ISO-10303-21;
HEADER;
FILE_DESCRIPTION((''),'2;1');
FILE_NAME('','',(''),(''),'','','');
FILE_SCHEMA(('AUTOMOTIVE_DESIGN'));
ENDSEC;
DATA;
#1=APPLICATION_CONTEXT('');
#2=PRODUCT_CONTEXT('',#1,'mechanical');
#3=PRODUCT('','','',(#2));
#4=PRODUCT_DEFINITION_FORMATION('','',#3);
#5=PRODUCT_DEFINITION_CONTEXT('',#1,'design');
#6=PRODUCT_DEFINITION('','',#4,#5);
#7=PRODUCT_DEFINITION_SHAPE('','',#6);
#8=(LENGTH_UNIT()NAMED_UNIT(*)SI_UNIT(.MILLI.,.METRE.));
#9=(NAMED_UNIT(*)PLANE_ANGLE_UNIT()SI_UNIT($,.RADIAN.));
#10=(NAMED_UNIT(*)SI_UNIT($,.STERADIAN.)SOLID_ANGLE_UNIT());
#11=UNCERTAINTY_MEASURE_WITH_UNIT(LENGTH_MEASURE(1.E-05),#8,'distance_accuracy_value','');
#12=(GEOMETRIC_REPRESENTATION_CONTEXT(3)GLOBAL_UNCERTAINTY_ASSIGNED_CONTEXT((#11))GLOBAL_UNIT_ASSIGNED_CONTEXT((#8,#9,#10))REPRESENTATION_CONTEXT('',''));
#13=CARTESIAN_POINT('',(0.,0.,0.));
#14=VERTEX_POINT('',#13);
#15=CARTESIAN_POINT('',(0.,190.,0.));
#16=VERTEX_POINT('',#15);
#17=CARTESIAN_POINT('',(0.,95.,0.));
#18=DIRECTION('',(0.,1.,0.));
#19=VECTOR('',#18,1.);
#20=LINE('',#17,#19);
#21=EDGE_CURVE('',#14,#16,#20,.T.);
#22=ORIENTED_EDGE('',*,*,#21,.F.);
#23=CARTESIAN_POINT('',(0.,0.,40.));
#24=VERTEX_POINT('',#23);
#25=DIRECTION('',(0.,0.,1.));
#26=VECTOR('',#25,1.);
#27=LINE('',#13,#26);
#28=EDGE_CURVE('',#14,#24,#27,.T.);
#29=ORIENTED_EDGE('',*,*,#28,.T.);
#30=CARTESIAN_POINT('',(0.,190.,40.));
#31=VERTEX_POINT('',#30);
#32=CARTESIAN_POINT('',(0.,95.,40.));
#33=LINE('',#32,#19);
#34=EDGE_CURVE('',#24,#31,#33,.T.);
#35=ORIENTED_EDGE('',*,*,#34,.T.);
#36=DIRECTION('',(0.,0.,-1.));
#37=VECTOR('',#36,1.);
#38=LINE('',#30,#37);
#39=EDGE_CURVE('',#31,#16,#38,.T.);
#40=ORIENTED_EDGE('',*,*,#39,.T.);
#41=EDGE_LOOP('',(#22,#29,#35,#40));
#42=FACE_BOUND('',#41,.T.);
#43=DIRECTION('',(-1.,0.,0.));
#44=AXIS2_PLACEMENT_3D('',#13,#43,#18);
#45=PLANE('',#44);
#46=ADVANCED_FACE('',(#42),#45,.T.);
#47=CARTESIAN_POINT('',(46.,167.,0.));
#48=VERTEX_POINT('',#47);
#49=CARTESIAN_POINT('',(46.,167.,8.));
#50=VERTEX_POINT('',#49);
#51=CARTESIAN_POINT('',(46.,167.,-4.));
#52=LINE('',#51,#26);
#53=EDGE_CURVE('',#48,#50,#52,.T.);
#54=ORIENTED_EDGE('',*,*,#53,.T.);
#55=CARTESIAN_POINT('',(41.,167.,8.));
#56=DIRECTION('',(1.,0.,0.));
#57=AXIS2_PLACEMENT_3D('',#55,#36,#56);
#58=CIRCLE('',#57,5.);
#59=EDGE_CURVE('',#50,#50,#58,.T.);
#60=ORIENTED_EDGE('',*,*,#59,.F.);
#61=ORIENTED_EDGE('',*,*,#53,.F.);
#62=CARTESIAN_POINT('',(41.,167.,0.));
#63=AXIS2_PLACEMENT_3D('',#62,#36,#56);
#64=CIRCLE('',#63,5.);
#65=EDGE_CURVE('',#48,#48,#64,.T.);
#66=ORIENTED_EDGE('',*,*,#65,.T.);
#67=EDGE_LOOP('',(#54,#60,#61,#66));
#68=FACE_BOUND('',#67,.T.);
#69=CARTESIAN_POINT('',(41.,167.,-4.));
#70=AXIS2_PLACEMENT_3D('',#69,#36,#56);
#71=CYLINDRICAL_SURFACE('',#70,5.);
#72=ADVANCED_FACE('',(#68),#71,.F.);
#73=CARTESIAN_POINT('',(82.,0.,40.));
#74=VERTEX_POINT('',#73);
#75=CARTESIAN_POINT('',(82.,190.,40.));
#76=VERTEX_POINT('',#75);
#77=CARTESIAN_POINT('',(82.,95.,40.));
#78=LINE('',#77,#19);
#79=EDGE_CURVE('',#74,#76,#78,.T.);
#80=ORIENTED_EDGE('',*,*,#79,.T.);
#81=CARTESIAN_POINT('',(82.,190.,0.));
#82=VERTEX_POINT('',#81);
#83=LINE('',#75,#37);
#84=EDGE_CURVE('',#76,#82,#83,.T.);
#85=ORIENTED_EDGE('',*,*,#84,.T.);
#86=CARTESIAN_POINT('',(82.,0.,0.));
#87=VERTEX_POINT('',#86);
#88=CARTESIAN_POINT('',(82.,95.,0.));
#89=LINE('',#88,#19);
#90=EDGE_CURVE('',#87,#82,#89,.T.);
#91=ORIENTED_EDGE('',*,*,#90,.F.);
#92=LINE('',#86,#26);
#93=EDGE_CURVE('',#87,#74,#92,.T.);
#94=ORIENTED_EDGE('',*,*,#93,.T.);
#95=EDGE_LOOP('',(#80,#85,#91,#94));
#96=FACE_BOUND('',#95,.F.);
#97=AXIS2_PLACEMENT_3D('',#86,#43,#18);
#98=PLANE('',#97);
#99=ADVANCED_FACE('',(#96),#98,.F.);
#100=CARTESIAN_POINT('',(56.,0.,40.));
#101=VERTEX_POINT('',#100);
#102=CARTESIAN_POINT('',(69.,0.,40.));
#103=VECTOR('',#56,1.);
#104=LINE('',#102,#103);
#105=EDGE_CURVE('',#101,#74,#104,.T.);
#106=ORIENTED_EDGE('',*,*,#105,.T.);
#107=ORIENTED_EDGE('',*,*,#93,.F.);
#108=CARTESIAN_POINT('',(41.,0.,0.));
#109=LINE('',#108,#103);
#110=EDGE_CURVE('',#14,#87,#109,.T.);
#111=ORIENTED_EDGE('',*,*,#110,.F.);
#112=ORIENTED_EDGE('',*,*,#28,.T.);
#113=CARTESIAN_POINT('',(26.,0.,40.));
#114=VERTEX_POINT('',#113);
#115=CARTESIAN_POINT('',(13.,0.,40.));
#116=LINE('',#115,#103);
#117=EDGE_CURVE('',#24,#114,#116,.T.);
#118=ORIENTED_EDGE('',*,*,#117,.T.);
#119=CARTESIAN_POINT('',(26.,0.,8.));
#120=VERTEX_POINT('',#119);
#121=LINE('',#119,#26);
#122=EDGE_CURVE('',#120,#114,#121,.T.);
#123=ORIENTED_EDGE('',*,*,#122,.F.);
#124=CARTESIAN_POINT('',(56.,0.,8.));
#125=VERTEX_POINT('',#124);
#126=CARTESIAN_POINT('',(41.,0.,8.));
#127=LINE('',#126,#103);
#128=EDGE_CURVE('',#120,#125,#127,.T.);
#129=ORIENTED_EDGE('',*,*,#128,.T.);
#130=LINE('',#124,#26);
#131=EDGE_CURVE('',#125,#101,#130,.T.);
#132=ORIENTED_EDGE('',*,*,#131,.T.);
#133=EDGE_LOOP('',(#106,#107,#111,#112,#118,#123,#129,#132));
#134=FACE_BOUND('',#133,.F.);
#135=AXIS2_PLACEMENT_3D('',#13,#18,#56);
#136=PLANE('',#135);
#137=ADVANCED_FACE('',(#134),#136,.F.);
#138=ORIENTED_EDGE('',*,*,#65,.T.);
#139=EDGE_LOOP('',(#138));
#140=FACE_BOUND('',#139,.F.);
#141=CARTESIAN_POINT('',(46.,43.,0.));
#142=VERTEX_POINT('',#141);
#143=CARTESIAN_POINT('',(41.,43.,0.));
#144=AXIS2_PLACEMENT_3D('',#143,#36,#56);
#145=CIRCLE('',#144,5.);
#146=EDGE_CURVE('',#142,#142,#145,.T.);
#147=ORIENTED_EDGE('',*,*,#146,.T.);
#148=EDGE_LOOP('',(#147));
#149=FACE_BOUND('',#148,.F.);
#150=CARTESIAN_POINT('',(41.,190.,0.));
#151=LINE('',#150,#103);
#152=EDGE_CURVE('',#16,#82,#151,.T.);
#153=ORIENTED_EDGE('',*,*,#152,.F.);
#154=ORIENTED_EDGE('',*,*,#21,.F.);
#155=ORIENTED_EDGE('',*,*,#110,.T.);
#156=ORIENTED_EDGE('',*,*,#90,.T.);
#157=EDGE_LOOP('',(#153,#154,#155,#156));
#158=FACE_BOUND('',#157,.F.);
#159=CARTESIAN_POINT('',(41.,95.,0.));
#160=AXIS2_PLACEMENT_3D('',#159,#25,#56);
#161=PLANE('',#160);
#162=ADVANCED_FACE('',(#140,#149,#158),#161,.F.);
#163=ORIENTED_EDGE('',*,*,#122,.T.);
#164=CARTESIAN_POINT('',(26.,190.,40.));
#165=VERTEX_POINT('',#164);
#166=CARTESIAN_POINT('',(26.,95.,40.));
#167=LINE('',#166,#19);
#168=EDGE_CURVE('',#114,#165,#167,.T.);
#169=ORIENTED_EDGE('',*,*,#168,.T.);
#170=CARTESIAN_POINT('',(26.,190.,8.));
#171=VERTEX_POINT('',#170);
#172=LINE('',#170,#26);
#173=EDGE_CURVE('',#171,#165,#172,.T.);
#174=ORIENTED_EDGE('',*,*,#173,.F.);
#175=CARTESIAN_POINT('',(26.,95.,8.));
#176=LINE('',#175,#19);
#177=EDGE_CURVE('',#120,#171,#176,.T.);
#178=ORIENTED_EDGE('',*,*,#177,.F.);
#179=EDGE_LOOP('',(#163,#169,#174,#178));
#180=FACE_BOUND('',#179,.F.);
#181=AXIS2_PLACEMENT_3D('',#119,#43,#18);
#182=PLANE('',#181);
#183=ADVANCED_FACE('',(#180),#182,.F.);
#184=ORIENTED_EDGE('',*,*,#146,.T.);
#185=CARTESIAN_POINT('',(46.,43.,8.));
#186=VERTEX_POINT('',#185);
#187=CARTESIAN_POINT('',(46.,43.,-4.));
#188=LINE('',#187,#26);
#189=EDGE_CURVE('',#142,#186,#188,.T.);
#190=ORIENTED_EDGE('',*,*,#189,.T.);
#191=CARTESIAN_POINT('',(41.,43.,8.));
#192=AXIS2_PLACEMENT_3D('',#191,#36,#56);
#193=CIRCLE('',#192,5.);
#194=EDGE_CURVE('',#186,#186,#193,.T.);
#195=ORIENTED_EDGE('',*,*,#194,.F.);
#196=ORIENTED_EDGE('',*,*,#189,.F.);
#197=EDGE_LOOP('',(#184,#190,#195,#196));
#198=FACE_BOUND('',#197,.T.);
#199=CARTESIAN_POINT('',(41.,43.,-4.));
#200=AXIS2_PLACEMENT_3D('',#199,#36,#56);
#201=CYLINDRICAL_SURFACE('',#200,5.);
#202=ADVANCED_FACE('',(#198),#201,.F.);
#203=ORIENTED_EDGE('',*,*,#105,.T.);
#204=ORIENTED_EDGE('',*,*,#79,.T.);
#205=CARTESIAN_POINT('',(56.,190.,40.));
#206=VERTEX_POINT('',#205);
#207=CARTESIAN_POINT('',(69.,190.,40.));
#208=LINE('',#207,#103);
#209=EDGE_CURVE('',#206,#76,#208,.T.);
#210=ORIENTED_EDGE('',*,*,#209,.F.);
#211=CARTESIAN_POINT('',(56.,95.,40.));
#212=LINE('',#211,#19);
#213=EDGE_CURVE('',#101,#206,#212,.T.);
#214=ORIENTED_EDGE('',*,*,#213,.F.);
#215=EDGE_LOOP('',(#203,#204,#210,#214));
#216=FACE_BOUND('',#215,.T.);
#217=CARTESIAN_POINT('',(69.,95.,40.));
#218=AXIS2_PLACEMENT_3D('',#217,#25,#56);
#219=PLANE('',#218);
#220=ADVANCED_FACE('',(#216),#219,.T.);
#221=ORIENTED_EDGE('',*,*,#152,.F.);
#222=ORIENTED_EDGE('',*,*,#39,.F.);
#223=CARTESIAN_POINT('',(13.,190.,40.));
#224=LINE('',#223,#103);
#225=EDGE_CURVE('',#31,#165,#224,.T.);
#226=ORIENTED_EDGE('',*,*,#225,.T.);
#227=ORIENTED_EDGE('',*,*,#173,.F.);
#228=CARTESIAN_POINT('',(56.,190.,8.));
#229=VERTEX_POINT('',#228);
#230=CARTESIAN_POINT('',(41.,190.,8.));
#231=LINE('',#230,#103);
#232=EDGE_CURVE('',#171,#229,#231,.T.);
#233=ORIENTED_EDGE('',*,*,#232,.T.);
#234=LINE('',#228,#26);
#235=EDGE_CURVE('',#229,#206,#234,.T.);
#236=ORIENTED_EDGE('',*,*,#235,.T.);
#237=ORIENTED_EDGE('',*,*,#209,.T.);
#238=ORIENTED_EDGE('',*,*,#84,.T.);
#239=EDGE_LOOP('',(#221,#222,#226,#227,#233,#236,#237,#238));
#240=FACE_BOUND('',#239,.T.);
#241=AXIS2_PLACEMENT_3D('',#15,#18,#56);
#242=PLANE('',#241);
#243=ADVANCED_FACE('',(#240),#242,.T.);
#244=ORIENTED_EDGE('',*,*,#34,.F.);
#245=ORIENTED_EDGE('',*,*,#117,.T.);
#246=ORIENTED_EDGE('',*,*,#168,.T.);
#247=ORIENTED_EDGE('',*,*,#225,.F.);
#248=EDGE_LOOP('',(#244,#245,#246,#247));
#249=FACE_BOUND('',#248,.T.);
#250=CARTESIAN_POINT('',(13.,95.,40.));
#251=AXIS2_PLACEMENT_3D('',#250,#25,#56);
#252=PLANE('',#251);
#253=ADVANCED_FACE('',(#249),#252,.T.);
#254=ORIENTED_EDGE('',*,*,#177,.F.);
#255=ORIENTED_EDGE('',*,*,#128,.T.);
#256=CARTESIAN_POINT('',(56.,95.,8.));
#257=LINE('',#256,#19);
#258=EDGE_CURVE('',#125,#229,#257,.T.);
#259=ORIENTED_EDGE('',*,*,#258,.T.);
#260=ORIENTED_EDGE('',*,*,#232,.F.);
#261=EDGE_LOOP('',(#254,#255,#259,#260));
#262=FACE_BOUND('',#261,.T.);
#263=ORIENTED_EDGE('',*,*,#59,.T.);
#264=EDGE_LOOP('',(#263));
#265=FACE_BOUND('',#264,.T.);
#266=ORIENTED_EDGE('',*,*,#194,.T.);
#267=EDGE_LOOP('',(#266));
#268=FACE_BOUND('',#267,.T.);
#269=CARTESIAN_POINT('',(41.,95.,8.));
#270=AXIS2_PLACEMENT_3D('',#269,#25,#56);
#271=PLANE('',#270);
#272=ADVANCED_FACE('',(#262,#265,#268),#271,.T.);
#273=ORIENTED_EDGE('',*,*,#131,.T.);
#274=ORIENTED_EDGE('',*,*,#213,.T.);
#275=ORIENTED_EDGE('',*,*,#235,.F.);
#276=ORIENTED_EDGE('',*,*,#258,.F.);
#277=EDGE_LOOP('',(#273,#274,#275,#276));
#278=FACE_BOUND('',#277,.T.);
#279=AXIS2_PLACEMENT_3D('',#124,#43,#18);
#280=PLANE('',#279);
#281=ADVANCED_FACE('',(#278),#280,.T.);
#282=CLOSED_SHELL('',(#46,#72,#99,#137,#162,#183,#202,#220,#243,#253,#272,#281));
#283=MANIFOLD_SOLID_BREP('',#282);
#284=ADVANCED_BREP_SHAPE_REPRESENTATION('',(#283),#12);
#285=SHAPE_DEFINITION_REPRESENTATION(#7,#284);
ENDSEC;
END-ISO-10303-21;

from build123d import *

# Parameters (mm, degrees)
BOX008_W          = 26
BOX008_H          = 190
BOX008_DEPTH      = 32
CYLINDER011_R     = 5
CYLINDER011_DEPTH = 16
CYLINDER010_R     = 5
CYLINDER010_DEPTH = 16
BOX006_W          = 82
BOX006_H          = 190
BOX006_DEPTH      = 8
BOX007_W          = 26
BOX007_H          = 190
BOX007_DEPTH      = 32


with BuildPart() as box008:
    # Box008 → Box008 (new body)
    with BuildSketch(Plane.XY.offset(8)):
        with Locations((13, 95)):
            Rectangle(BOX008_W, BOX008_H)
    extrude(amount=BOX008_DEPTH)


with BuildPart() as cylinder011:
    # Cylinder011 → Cylinder011 (new body)
    with BuildSketch(Plane(origin=(41, 167, -4), x_dir=(1, 0, 0), z_dir=(0, 0, 1))):
        Circle(CYLINDER011_R)
    extrude(amount=CYLINDER011_DEPTH)


with BuildPart() as cylinder010:
    # Cylinder010 → Cylinder010 (new body)
    with BuildSketch(Plane(origin=(41, 43, -4), x_dir=(1, 0, 0), z_dir=(0, 0, 1))):
        Circle(CYLINDER010_R)
    extrude(amount=CYLINDER010_DEPTH)


with BuildPart() as suelo_taladrado:
    # Box006 → Box006 (new body)
    with BuildSketch(Plane.XY):
        with Locations((41, 95)):
            Rectangle(BOX006_W, BOX006_H)
    extrude(amount=BOX006_DEPTH)

    # Cut002: cut Cylinder010
    add(cylinder010.part, mode=Mode.SUBTRACT)

    # Cut003: cut Cylinder011
    add(cylinder011.part, mode=Mode.SUBTRACT)


with BuildPart() as suelo_final:
    # Box007 → Box007 (new body)
    with BuildSketch(Plane(origin=(56, 0, 8), x_dir=(1, 0, 0), z_dir=(0, 0, 1))):
        with Locations((13, 95)):
            Rectangle(BOX007_W, BOX007_H)
    extrude(amount=BOX007_DEPTH)

    # Fusion003: union Box008, Suelo taladrado
    add(box008.part)
    add(suelo_taladrado.part)


solid = suelo_final.part
